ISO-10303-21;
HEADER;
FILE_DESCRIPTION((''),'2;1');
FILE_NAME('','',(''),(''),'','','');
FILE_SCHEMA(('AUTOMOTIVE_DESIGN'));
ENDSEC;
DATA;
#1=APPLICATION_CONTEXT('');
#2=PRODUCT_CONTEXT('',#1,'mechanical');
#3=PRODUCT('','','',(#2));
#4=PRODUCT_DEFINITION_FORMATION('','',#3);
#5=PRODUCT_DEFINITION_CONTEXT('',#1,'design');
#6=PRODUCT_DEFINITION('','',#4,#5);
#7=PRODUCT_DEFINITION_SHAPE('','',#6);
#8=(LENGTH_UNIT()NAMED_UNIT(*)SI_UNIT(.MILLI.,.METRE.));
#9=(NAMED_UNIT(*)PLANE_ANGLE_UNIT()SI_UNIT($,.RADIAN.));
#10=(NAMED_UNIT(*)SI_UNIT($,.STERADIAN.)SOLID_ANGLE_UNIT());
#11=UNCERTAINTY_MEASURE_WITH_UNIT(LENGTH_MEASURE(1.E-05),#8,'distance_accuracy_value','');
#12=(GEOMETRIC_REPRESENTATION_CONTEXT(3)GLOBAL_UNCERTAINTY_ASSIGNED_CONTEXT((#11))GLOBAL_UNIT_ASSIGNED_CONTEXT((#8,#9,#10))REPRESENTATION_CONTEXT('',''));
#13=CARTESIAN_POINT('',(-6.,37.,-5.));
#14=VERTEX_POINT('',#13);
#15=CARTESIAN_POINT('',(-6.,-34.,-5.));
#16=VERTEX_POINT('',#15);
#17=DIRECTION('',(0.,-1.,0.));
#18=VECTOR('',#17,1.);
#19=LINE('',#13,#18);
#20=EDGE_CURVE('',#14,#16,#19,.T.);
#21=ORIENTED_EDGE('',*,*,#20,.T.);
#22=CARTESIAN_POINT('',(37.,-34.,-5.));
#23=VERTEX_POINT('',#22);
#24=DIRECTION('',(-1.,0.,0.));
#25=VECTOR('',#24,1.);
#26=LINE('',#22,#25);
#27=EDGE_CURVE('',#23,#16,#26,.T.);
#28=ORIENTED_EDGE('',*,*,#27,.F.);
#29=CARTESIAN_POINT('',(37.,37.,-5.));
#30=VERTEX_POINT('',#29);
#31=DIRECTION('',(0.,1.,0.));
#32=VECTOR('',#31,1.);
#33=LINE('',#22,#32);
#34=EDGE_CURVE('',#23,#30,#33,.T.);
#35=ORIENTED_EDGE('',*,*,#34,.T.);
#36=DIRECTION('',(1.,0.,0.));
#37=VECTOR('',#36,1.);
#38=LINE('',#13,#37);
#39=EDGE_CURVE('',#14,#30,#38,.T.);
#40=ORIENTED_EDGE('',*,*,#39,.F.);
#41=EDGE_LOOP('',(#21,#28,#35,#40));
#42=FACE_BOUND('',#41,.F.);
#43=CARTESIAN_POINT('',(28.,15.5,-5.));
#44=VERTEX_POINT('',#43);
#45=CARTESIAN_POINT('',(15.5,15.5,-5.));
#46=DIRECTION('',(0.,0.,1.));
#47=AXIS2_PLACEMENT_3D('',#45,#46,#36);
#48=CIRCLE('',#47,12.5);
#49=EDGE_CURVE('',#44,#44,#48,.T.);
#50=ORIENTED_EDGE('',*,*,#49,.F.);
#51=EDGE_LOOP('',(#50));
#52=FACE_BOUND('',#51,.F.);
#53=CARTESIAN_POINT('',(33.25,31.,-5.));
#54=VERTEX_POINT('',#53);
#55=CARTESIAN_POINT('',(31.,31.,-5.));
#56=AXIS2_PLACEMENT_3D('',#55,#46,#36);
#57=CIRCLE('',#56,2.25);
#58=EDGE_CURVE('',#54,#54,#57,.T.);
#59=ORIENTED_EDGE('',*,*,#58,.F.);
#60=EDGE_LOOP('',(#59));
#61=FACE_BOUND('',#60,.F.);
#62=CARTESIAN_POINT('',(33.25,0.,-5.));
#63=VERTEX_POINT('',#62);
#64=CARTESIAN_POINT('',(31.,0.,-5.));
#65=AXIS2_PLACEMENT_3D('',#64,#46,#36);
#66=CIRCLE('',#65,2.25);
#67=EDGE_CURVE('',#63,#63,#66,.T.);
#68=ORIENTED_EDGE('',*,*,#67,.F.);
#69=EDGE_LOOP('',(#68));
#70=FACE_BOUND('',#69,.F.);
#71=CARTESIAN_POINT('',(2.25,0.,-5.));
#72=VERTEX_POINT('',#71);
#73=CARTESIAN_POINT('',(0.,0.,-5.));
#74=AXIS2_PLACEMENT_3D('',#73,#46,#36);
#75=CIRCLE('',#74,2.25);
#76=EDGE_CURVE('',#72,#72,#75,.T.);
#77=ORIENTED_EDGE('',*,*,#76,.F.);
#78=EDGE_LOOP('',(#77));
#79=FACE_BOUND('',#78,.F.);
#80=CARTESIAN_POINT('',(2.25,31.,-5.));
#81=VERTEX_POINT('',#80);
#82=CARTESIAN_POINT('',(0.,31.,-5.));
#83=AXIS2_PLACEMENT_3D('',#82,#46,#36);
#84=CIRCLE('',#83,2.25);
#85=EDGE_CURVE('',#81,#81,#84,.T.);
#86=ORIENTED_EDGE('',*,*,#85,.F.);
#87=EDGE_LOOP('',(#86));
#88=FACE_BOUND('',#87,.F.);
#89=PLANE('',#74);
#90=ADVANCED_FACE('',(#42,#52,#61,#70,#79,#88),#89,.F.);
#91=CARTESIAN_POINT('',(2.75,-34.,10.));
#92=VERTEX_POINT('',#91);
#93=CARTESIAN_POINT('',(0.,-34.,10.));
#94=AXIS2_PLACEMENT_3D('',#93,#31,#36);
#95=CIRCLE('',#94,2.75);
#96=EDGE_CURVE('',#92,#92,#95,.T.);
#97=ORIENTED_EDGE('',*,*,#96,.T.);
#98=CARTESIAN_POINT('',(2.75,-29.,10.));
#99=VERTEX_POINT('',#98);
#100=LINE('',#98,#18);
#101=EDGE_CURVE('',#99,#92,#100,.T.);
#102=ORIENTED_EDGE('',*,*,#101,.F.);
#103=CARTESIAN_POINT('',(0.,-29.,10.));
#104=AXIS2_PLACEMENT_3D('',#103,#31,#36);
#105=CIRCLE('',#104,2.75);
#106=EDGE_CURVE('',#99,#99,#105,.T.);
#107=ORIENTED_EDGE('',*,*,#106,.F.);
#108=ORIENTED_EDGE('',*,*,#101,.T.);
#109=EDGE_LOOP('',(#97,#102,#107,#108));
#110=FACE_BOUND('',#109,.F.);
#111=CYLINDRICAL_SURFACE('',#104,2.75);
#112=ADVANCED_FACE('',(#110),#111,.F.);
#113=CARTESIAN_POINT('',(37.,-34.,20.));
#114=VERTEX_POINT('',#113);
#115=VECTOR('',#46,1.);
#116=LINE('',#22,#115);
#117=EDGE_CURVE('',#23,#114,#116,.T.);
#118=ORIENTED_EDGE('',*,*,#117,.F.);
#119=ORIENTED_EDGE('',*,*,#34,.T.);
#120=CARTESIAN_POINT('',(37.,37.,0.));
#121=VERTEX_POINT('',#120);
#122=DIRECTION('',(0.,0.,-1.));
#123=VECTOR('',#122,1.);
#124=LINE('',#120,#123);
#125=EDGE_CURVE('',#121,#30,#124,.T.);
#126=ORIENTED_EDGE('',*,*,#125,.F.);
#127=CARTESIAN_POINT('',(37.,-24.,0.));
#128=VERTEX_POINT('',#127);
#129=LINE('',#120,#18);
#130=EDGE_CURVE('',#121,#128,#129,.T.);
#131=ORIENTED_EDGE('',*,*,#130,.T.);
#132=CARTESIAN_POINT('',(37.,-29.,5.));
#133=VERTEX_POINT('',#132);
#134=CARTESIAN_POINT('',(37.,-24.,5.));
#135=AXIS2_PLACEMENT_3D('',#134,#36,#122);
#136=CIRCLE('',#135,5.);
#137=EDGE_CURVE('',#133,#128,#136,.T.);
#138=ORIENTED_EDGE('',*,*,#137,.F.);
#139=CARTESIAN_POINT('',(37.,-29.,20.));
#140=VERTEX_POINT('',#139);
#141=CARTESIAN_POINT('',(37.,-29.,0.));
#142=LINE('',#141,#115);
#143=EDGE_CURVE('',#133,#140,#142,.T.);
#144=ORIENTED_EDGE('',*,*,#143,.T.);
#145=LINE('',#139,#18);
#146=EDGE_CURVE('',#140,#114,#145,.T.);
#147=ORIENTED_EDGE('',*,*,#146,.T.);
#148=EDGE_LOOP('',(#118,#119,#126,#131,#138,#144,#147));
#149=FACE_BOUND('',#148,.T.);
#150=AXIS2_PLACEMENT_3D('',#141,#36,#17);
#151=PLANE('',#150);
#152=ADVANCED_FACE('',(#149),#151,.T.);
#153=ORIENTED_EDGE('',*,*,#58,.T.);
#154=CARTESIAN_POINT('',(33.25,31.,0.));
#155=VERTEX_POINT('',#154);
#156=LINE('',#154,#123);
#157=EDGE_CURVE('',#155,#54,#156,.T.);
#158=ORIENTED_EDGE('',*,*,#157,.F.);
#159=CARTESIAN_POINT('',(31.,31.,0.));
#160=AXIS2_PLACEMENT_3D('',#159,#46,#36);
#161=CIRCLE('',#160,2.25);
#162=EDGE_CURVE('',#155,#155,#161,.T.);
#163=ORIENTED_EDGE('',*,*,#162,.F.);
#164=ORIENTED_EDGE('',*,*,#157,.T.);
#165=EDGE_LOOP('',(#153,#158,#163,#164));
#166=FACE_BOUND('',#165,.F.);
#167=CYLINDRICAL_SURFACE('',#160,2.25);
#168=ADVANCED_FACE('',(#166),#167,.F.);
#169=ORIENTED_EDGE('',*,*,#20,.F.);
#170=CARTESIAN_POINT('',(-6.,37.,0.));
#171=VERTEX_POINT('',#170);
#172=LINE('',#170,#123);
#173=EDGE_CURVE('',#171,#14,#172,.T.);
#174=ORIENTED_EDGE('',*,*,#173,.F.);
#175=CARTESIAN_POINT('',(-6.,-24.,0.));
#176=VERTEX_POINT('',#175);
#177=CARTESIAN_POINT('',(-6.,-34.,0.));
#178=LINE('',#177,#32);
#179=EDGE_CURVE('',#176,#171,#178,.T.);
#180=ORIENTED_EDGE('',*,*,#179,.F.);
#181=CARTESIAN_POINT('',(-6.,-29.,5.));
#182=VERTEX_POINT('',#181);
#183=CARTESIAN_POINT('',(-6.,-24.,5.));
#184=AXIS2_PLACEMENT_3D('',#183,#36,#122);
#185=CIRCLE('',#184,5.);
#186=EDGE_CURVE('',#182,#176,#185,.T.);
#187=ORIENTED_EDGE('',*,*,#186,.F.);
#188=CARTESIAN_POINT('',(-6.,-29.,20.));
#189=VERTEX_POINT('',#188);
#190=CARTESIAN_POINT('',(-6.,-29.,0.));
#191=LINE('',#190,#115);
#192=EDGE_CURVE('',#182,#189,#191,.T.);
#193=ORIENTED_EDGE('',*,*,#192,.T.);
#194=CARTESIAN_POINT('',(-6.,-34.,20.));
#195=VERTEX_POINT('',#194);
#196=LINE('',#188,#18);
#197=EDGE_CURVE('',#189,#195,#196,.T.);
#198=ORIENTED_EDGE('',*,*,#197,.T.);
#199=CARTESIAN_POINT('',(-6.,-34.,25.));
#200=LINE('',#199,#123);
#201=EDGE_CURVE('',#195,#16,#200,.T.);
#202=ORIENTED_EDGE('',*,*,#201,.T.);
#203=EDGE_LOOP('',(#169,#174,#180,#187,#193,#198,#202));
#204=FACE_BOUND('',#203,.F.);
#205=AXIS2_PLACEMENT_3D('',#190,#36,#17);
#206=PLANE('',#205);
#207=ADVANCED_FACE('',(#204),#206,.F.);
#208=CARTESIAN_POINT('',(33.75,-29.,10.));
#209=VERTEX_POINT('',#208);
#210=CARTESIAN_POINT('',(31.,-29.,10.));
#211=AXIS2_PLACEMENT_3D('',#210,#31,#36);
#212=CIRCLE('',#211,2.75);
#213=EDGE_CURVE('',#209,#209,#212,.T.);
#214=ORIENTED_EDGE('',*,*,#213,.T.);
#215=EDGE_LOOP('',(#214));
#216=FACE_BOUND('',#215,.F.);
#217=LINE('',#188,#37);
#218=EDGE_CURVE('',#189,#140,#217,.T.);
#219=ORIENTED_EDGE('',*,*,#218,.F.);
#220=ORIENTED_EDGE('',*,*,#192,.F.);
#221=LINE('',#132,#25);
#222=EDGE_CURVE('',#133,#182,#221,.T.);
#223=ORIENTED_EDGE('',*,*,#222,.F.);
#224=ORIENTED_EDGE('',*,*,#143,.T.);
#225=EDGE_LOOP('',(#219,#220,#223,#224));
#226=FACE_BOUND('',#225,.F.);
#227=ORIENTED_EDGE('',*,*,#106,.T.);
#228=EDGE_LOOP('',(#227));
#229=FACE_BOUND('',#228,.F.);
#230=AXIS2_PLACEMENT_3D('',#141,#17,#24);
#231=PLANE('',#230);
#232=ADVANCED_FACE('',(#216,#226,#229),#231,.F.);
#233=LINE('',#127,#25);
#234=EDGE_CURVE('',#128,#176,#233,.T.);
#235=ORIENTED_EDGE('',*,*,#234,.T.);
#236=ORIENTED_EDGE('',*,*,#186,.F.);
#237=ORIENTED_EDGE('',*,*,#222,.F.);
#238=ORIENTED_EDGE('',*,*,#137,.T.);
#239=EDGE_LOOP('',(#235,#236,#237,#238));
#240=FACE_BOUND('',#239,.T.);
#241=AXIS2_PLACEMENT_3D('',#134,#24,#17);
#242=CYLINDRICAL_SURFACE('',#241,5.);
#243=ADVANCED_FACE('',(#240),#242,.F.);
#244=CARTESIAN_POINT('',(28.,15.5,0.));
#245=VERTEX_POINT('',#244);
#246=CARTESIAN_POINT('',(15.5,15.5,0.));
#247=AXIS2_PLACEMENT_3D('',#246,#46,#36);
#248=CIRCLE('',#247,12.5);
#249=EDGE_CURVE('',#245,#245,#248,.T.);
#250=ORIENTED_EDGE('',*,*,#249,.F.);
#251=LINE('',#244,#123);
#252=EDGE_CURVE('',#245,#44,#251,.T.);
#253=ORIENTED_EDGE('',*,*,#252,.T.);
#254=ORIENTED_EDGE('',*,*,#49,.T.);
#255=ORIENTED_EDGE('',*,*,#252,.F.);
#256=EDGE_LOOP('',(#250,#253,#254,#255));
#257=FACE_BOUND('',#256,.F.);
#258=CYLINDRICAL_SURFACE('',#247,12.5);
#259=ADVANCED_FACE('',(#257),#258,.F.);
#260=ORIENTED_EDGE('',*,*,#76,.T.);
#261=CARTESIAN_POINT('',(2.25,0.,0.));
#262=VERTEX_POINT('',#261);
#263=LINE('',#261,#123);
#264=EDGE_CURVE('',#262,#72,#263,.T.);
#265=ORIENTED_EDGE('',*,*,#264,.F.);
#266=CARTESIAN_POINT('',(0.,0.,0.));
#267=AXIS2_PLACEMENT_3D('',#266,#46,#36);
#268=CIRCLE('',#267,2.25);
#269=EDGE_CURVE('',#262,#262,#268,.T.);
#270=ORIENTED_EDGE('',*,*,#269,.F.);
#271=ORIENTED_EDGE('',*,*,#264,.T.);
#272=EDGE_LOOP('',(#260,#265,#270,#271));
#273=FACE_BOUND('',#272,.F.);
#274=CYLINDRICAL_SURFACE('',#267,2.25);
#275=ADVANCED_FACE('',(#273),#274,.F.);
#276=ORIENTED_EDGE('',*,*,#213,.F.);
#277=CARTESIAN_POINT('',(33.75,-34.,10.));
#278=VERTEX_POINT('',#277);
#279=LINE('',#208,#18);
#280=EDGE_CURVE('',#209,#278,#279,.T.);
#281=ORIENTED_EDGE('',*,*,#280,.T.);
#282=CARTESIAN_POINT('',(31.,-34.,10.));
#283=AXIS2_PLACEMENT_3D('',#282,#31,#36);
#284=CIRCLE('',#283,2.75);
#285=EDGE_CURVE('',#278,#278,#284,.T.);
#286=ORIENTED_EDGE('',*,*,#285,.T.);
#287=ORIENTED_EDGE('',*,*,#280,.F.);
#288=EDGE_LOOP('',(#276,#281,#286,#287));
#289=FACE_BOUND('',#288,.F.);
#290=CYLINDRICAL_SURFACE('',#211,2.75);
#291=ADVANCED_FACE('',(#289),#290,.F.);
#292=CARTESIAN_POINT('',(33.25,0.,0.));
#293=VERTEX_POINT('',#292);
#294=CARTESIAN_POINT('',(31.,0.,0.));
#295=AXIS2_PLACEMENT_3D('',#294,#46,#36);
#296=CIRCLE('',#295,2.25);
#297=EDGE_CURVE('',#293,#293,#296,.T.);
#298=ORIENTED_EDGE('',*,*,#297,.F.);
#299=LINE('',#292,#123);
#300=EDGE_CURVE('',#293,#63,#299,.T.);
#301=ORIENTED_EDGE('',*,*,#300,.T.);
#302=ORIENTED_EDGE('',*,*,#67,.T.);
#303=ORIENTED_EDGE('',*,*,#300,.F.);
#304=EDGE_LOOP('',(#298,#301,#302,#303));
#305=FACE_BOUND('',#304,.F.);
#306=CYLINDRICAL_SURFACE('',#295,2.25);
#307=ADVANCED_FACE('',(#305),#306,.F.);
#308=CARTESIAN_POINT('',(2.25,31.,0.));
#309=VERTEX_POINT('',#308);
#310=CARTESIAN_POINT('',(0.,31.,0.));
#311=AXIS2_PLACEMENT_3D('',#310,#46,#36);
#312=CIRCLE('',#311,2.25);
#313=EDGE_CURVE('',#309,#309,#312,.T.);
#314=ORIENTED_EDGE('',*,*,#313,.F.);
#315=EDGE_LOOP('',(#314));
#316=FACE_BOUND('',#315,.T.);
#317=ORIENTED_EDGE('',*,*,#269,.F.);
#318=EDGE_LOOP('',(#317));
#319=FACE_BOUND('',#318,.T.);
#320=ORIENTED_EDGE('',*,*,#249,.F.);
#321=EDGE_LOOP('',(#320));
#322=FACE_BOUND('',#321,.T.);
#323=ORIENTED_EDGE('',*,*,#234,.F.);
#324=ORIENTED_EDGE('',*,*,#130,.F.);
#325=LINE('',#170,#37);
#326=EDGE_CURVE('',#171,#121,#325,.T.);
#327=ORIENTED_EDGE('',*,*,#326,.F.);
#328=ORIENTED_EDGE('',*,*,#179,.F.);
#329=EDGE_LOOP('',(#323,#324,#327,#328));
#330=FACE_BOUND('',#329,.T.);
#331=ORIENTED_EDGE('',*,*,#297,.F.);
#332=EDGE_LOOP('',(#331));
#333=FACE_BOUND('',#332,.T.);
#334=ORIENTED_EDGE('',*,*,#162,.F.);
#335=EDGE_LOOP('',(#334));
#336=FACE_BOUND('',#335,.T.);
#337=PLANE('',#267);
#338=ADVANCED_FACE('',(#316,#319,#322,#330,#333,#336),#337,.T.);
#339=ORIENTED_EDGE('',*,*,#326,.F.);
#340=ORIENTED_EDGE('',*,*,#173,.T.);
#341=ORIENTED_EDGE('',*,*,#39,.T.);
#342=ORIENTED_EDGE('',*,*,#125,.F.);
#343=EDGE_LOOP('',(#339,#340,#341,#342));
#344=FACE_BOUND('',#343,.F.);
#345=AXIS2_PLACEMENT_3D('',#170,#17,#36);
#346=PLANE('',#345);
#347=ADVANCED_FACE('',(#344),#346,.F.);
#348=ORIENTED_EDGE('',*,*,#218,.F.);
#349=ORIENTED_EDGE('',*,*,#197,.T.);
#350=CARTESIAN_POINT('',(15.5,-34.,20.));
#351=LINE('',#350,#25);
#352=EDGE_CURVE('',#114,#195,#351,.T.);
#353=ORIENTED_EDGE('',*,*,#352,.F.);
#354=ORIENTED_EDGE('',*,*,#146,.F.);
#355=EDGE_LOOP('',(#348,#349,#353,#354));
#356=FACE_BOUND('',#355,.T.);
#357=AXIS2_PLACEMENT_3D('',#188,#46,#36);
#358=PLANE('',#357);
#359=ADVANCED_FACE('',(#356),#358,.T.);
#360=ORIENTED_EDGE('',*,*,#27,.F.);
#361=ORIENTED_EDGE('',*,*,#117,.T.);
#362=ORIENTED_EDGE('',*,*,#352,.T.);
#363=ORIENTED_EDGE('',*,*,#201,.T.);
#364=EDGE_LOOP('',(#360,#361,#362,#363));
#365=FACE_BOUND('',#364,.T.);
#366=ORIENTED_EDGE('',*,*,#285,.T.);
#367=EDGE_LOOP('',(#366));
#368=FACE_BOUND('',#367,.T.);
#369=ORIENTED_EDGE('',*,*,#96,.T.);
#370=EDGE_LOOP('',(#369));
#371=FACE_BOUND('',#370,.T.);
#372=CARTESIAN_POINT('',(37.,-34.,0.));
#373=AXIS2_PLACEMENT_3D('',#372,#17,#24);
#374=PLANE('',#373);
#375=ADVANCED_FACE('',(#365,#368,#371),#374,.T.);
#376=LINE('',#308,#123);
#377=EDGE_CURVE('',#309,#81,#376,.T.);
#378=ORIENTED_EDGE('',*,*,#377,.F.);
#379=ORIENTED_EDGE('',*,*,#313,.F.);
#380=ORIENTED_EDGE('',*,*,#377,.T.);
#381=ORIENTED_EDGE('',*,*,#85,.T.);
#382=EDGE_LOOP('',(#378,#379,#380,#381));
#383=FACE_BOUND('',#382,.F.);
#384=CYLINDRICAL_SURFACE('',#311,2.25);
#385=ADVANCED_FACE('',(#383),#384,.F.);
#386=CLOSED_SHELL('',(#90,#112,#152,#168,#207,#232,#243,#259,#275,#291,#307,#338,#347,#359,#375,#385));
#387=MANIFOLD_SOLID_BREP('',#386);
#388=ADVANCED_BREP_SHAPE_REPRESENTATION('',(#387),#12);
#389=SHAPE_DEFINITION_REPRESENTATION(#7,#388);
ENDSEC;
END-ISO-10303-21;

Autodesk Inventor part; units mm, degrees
ref_plane "YZ Plane" through (0, 0, 0) normal (1, 0, 0) x (0, 1, 0)
ref_plane "XZ Plane" through (0, 0, 0) normal (0, 1, 0) x (-1, 0, 0)
ref_plane "XY Plane" through (0, 0, 0) normal (0, 0, 1) x (1, 0, 0)
sketch "Sketch1" plane through (0, 0, 0) normal (0, 0, 1) x (1, 0, 0)
  circle A0 centre (0, 0) radius 2.25
  circle A1 centre (31, 0) radius 2.25
  circle A2 centre (0, 31) radius 2.25
  circle A3 centre (31, 31) radius 2.25
  circle A4 centre (15.5, 15.5) radius 12.5
  line L0 (-6, 37) -> (37, 37)
  line L1 (37, 37) -> (37, -6)
  line L2 (37, -6) -> (-6, -6)
  line L3 (-6, -6) -> (-6, 37)
  line L4 (-6, 37) -> (37, -6) construction
  line L5 (37, 37) -> (-6, -6) construction
  line L6 (-6, -6) -> (37, -6)
  line L7 (37, -6) -> (37, -34)
  line L8 (37, -34) -> (-6, -34)
  line L9 (-6, -34) -> (-6, -6)
  dimension "d3" = 4.5
  dimension "d5" = 31
  dimension "d6" = 25
  dimension "d7" = 43
  dimension "d8" = 43
  dimension "d9" = 49.5
  dimension "d10" = 31
extrude "Extrusion1" add sketch "Sketch1" against normal blind 5
sketch "Sketch2" plane through (0, 0, 0) normal (0, 0, 1) x (1, 0, 0)
  line L0 (37, -34) -> (-6, -34) projected
  line L1 (37, 37) -> (37, -34) projected
  line L2 (-6, -34) -> (37, -34)
  line L3 (37, -34) -> (37, -29)
  line L4 (37, -29) -> (-6, -29)
  line L5 (-6, -29) -> (-6, -34)
  point P0 (0, 0)
  dimension "d13" = 5
extrude "Extrusion2" add sketch "Sketch2" along normal blind 25
sketch "Sketch3" plane through (-6, -29, 0) normal (0, 1, 0) x (1, 0, 0)
  circle A0 centre (6, -10) radius 2.75
  circle A1 centre (37, -10) radius 2.75
  line L0 (0, 5) -> (0, -25) projected
  line L1 (0, 0) -> (0, -25) projected
  line L2 (43, 0) -> (43, -25) projected
  line L3 (0, 5) -> (43, 5) projected
  point P0 (6, 0)
  point P1 (0, -10)
  point P2 (0, -12.5)
  dimension "d16" = 5.5
  dimension "d17" = 31
  dimension "d23" = 6
  dimension "d24" = 15
extrude "Extrusion3" cut sketch "Sketch3" against normal blind 25
fillet "Fillet1" radius 5 1 edges at (15.5, -29, 0)
sketch "Sketch4" plane through (-6, -29, 25) normal (0, 1, 0) x (1, 0, 0)
  line L0 (0, 30) -> (0, 0) projected
  line L1 (0, 5) -> (43.1457, 5)
  circle A0 centre (6, 15) radius 2.75 projected
  line L2 (0, 20) -> (43, 20) projected
  line L3 (0, 20) -> (0, 0) projected
  line L4 (43, 0) -> (0, 0) projected
  line L5 (43, 20) -> (43, 0) projected
  circle A1 centre (6, 15) radius 2.75 projected
  circle A2 centre (37, 15) radius 2.75 projected
  point P0 (6, 25)
  point P1 (43, 5)
  dimension "d25" = 10
extrude "Extrusion4" cut sketch "Sketch4" against normal through all contours L1 L5 L4 L0
properties part number "motor_holder"
